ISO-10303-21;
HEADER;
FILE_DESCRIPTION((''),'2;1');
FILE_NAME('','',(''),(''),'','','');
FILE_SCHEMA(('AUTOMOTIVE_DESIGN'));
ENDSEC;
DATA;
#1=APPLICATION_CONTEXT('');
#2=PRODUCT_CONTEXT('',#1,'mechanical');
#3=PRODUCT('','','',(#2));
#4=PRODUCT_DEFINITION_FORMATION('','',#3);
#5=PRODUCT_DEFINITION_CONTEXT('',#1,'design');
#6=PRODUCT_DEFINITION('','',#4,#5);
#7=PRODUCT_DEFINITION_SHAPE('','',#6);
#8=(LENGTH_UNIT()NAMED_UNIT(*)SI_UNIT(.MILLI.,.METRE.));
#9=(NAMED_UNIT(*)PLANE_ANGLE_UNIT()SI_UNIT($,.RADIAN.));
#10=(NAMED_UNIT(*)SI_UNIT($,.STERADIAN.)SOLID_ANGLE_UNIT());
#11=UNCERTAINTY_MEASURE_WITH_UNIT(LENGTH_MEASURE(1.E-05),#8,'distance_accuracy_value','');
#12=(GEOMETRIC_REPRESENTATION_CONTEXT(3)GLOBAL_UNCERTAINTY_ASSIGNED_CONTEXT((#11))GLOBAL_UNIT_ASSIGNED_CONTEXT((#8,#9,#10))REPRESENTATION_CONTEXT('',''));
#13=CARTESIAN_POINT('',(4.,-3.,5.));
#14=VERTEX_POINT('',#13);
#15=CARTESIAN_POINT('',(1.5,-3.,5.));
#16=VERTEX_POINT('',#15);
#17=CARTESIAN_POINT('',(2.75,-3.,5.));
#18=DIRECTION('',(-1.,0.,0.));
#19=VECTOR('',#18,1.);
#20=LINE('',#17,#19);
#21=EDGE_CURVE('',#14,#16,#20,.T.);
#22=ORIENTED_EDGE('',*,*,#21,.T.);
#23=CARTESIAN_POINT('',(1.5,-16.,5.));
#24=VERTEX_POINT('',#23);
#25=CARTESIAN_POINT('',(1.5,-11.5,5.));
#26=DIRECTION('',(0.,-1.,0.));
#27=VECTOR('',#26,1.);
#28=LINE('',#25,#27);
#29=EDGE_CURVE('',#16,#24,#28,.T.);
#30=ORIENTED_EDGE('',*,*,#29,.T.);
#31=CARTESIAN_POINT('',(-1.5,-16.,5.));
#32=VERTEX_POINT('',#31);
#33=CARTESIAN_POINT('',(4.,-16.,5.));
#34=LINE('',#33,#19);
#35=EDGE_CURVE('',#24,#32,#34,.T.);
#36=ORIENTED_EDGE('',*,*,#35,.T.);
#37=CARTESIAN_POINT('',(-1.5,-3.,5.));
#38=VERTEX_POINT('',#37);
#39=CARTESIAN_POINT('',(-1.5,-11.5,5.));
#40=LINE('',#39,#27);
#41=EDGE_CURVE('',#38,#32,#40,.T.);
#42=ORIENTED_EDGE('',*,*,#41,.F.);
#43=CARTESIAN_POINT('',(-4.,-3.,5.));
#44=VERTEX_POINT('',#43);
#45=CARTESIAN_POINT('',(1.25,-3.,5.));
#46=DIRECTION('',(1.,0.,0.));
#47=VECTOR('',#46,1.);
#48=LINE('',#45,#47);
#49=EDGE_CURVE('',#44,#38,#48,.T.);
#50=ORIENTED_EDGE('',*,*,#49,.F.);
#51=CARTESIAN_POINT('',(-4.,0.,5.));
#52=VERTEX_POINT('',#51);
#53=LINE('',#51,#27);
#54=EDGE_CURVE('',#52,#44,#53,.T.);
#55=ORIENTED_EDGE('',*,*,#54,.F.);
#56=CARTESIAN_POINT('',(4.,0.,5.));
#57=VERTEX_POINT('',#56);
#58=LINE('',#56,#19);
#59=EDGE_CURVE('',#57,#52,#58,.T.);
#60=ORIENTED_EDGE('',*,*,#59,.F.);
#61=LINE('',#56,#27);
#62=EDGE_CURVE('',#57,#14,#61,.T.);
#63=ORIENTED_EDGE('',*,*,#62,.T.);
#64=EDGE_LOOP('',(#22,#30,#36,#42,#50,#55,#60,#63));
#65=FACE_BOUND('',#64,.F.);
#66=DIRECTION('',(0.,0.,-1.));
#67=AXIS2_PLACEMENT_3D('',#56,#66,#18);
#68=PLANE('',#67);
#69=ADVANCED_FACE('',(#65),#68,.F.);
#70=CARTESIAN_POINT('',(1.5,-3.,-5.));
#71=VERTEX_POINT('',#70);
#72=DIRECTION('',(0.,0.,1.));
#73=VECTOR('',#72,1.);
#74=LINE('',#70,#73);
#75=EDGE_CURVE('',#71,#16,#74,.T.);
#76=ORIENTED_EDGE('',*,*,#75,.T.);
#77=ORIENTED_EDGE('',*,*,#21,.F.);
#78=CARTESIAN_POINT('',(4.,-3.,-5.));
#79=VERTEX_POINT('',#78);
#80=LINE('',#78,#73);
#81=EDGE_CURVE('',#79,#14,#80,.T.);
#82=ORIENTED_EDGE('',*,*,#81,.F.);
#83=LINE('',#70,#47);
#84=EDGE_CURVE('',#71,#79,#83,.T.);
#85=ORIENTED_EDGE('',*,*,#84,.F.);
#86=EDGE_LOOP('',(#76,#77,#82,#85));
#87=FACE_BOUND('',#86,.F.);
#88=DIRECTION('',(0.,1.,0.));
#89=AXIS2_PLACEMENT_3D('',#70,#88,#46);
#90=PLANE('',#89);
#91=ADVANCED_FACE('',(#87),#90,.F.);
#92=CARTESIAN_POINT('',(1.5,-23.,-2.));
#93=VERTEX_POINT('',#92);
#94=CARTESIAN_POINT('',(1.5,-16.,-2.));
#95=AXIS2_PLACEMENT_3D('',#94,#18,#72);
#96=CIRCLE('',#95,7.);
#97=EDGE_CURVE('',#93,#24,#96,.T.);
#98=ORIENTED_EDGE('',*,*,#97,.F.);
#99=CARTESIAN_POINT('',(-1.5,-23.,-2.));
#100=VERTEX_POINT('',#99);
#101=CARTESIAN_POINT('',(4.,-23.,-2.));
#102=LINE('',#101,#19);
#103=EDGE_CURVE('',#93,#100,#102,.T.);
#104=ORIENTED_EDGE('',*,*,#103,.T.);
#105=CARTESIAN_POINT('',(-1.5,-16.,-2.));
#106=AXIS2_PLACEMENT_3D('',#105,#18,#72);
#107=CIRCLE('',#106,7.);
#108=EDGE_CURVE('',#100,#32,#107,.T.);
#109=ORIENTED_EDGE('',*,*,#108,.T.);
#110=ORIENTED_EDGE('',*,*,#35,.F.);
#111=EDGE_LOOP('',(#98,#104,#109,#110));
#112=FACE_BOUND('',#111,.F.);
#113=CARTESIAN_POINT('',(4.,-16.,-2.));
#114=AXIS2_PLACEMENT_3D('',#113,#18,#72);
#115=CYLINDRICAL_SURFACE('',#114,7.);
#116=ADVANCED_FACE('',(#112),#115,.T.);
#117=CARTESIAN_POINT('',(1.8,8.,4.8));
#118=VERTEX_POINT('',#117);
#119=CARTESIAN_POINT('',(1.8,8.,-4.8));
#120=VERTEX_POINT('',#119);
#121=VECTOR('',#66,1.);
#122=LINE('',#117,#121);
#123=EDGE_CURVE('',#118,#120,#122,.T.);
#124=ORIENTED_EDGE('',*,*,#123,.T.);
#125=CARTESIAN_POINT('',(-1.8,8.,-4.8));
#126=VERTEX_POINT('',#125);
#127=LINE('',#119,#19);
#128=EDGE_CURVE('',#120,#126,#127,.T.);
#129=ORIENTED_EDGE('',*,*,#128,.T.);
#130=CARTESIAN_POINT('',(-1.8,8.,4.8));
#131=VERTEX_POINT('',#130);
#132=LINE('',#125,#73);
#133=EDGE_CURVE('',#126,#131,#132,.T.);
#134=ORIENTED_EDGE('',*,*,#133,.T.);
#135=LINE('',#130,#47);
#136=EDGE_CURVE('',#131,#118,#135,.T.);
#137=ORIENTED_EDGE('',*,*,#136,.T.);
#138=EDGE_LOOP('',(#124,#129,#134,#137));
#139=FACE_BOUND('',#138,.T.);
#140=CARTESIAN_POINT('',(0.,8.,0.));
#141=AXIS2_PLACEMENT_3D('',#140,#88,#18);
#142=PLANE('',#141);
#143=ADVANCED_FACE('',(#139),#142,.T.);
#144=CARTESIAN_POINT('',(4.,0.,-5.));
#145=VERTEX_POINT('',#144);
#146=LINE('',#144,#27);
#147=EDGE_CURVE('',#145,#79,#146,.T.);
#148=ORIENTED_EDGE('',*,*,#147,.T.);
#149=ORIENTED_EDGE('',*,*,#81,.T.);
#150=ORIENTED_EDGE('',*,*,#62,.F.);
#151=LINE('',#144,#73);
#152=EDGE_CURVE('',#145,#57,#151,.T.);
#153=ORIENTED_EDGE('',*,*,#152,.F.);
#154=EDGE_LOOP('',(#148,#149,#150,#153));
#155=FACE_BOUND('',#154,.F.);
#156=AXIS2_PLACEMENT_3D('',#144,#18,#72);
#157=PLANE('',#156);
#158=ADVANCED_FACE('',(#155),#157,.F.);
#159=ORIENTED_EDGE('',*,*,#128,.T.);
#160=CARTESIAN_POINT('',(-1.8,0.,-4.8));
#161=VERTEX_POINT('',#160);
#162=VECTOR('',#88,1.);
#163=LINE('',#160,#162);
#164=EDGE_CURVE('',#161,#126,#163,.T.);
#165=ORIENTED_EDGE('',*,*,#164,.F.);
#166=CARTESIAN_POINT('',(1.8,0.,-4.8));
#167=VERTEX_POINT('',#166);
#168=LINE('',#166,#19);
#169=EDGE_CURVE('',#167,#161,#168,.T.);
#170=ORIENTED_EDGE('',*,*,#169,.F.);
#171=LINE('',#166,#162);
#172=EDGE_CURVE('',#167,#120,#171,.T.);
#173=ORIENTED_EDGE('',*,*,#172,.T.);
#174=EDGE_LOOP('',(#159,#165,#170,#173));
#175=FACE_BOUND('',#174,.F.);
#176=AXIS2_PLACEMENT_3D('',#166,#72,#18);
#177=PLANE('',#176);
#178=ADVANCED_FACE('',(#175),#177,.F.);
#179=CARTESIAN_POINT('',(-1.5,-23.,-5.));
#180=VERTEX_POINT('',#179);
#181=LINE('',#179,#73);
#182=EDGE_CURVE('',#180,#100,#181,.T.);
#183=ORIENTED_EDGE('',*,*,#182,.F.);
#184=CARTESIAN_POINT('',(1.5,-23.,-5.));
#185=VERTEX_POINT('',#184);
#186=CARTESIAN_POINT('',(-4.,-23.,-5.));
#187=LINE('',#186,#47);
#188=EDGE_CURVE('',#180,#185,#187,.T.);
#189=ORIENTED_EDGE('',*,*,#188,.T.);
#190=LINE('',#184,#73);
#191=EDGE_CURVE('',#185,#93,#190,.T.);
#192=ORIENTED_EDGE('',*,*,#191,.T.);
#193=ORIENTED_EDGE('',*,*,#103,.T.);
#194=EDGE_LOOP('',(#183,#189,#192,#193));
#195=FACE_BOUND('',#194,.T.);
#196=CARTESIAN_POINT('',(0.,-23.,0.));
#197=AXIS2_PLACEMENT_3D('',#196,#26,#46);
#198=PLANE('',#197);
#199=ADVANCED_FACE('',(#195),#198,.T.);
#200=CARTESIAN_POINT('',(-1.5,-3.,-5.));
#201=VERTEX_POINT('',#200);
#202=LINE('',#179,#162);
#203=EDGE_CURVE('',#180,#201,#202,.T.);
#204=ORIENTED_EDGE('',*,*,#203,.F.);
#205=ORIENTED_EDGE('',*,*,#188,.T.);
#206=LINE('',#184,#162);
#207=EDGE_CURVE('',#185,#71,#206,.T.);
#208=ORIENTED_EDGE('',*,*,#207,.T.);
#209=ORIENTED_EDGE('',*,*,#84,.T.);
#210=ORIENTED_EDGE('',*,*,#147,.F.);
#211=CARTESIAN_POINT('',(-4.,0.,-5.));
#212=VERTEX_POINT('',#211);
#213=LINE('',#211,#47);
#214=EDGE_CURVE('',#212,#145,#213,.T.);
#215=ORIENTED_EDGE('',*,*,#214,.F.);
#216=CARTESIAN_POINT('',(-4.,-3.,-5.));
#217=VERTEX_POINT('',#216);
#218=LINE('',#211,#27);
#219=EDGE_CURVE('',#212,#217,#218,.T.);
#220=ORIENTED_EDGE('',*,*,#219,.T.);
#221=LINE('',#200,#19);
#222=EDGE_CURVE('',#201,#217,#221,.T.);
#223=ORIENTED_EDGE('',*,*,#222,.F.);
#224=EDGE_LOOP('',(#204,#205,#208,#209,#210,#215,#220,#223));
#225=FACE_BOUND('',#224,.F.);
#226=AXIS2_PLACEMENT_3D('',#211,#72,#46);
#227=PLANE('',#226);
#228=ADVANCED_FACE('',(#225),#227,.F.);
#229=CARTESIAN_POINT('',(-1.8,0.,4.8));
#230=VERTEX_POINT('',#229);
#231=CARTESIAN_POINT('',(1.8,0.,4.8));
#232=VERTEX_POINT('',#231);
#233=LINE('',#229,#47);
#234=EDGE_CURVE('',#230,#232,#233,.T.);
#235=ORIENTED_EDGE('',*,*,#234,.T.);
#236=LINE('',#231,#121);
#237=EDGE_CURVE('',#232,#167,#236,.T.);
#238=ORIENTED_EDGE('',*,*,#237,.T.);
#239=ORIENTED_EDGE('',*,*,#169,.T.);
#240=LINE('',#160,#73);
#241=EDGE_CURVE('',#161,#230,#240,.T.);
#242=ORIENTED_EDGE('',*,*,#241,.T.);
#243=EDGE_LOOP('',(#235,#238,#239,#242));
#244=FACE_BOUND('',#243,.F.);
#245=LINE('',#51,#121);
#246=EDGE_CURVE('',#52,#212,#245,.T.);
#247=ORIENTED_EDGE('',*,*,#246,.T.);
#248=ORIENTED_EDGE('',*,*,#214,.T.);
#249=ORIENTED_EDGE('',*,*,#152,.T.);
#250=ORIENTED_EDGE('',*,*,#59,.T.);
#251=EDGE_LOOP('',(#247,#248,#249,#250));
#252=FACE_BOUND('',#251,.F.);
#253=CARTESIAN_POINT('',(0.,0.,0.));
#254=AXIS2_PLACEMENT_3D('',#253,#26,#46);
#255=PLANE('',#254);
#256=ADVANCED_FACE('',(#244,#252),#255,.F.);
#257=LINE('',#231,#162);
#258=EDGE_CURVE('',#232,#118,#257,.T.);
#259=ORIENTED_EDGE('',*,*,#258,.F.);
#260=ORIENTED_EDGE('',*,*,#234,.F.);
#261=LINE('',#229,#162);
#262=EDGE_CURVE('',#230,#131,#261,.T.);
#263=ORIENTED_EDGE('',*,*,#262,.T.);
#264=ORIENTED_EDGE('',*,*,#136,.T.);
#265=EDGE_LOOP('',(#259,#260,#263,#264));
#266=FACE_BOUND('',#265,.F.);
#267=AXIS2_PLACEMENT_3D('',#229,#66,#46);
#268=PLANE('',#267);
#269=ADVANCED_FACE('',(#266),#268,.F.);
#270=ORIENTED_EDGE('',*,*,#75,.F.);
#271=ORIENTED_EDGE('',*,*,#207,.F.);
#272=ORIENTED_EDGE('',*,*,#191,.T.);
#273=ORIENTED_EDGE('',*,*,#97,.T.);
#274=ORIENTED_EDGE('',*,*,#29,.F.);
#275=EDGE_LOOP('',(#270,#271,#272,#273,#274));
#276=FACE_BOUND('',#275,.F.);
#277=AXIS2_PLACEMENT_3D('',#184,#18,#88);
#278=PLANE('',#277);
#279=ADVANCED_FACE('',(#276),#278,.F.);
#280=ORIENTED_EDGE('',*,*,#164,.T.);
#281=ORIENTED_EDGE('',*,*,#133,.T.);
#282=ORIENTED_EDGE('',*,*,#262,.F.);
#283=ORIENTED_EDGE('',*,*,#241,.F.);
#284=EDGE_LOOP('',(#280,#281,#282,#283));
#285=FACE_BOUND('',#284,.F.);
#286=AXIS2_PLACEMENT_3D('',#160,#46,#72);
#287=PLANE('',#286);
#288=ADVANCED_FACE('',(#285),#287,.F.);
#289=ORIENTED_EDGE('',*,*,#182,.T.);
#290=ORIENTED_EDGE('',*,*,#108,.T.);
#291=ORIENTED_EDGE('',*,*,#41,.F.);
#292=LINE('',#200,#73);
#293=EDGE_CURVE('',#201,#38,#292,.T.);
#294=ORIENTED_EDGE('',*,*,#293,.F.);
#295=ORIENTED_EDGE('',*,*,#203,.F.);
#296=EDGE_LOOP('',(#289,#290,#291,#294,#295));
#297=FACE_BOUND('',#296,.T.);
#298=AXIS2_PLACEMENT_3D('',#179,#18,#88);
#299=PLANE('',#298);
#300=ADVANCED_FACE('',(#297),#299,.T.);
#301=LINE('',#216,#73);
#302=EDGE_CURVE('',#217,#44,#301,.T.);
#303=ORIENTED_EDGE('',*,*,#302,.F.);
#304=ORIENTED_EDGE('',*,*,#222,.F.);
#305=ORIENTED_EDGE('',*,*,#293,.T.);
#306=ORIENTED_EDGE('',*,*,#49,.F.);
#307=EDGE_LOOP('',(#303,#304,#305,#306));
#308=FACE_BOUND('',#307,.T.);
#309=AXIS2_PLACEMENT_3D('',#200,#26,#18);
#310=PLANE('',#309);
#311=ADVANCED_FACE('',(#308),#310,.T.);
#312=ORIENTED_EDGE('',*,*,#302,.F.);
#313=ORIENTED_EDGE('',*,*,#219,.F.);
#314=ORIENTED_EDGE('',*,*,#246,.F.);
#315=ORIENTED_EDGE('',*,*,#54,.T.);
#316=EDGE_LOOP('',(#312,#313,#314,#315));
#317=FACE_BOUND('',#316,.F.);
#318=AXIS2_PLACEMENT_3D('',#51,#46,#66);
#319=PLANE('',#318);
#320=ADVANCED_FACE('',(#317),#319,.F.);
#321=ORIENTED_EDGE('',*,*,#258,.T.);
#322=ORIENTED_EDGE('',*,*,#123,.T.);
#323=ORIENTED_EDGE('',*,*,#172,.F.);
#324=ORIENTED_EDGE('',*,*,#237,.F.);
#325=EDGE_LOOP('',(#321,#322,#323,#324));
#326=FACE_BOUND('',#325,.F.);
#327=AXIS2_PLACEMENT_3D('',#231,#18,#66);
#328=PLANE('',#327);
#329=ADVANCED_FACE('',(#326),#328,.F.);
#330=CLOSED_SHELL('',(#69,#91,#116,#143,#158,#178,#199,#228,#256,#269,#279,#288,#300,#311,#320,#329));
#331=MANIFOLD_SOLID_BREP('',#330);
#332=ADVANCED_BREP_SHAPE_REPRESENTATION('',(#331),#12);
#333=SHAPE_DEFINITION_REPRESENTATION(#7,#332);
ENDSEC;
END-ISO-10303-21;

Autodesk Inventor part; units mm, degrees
ref_plane "YZ Plane" through (0, 0, 0) normal (1, 0, 0) x (0, 1, 0)
ref_plane "XZ Plane" through (0, 0, 0) normal (0, 1, 0) x (-1, 0, 0)
ref_plane "XY Plane" through (0, 0, 0) normal (0, 0, 1) x (1, 0, 0)
sketch "Sketch1" plane through (0, 0, 0) normal (0, 1, 0) x (-1, 0, 0)
  line L0 (-1.8, -4.8) -> (1.8, -4.8)
  line L1 (1.8, -4.8) -> (1.8, 4.8)
  line L2 (1.8, 4.8) -> (-1.8, 4.8)
  line L3 (-1.8, 4.8) -> (-1.8, -4.8)
  line L4 (-1.8, -4.8) -> (1.8, 4.8) construction
  line L5 (1.8, -4.8) -> (-1.8, 4.8) construction
  point P0 (0, 0)
  dimension "d0" = 3.6
  dimension "d1" = 9.6
extrude "Extrusion1" add sketch "Sketch1" along normal blind 8
sketch "Sketch2" plane through (0, 0, 0) normal (0, -1, 0) x (1, 0, 0)
  line L0 (-4, -5) -> (4, -5)
  line L1 (4, -5) -> (4, 5)
  line L2 (4, 5) -> (-4, 5)
  line L3 (-4, 5) -> (-4, -5)
  line L4 (-4, -5) -> (4, 5) construction
  line L5 (4, -5) -> (-4, 5) construction
  point P0 (0, 0)
  dimension "d4" = 8
  dimension "d5" = 10
extrude "Extrusion2" add sketch "Sketch2" along normal blind 23
fillet "Fillet1" radius 7 1 edges at (0, -23, 5)
sketch "Sketch3" plane through (4, 0, -5) normal (0, 0, -1) x (-1, 0, 0)
  line L0 (0, 0) -> (0, -16) projected
  line L1 (8, -23) -> (0, -23) projected
  line L2 (0, -3) -> (0, -23)
  line L3 (0, -23) -> (2.5, -23)
  line L4 (2.5, -23) -> (2.5, -3)
  line L5 (2.5, -3) -> (0, -3)
  line L6 (8, 0) -> (0, 0) projected
  line L7 (4, 0) -> (4, -23) construction
  line L8 (8, -3) -> (8, -23)
  line L9 (8, -23) -> (5.5, -23)
  line L10 (5.5, -23) -> (5.5, -3)
  line L11 (5.5, -3) -> (8, -3)
  point P0 (8, -16)
  dimension "d9" = 1.5
  dimension "d10" = 3
extrude "Extrusion3" cut sketch "Sketch3" against normal up to next
sketch "Sketch4" plane through (0, 8, 0) normal (0, 1, 0) x (1, 0, 0)
  line L0 (2, 5) -> (-2, 5)
  line L1 (-2, 5) -> (-2, -5)
  line L2 (-2, -5) -> (2, -5)
  line L3 (2, -5) -> (2, 5)
  line L4 (2, 5) -> (-2, -5) construction
  line L5 (-2, 5) -> (2, -5) construction
  point P0 (0, 0)
  dimension "d13" = 4
  dimension "d14" = 10
properties part number "lavalier_holder"
